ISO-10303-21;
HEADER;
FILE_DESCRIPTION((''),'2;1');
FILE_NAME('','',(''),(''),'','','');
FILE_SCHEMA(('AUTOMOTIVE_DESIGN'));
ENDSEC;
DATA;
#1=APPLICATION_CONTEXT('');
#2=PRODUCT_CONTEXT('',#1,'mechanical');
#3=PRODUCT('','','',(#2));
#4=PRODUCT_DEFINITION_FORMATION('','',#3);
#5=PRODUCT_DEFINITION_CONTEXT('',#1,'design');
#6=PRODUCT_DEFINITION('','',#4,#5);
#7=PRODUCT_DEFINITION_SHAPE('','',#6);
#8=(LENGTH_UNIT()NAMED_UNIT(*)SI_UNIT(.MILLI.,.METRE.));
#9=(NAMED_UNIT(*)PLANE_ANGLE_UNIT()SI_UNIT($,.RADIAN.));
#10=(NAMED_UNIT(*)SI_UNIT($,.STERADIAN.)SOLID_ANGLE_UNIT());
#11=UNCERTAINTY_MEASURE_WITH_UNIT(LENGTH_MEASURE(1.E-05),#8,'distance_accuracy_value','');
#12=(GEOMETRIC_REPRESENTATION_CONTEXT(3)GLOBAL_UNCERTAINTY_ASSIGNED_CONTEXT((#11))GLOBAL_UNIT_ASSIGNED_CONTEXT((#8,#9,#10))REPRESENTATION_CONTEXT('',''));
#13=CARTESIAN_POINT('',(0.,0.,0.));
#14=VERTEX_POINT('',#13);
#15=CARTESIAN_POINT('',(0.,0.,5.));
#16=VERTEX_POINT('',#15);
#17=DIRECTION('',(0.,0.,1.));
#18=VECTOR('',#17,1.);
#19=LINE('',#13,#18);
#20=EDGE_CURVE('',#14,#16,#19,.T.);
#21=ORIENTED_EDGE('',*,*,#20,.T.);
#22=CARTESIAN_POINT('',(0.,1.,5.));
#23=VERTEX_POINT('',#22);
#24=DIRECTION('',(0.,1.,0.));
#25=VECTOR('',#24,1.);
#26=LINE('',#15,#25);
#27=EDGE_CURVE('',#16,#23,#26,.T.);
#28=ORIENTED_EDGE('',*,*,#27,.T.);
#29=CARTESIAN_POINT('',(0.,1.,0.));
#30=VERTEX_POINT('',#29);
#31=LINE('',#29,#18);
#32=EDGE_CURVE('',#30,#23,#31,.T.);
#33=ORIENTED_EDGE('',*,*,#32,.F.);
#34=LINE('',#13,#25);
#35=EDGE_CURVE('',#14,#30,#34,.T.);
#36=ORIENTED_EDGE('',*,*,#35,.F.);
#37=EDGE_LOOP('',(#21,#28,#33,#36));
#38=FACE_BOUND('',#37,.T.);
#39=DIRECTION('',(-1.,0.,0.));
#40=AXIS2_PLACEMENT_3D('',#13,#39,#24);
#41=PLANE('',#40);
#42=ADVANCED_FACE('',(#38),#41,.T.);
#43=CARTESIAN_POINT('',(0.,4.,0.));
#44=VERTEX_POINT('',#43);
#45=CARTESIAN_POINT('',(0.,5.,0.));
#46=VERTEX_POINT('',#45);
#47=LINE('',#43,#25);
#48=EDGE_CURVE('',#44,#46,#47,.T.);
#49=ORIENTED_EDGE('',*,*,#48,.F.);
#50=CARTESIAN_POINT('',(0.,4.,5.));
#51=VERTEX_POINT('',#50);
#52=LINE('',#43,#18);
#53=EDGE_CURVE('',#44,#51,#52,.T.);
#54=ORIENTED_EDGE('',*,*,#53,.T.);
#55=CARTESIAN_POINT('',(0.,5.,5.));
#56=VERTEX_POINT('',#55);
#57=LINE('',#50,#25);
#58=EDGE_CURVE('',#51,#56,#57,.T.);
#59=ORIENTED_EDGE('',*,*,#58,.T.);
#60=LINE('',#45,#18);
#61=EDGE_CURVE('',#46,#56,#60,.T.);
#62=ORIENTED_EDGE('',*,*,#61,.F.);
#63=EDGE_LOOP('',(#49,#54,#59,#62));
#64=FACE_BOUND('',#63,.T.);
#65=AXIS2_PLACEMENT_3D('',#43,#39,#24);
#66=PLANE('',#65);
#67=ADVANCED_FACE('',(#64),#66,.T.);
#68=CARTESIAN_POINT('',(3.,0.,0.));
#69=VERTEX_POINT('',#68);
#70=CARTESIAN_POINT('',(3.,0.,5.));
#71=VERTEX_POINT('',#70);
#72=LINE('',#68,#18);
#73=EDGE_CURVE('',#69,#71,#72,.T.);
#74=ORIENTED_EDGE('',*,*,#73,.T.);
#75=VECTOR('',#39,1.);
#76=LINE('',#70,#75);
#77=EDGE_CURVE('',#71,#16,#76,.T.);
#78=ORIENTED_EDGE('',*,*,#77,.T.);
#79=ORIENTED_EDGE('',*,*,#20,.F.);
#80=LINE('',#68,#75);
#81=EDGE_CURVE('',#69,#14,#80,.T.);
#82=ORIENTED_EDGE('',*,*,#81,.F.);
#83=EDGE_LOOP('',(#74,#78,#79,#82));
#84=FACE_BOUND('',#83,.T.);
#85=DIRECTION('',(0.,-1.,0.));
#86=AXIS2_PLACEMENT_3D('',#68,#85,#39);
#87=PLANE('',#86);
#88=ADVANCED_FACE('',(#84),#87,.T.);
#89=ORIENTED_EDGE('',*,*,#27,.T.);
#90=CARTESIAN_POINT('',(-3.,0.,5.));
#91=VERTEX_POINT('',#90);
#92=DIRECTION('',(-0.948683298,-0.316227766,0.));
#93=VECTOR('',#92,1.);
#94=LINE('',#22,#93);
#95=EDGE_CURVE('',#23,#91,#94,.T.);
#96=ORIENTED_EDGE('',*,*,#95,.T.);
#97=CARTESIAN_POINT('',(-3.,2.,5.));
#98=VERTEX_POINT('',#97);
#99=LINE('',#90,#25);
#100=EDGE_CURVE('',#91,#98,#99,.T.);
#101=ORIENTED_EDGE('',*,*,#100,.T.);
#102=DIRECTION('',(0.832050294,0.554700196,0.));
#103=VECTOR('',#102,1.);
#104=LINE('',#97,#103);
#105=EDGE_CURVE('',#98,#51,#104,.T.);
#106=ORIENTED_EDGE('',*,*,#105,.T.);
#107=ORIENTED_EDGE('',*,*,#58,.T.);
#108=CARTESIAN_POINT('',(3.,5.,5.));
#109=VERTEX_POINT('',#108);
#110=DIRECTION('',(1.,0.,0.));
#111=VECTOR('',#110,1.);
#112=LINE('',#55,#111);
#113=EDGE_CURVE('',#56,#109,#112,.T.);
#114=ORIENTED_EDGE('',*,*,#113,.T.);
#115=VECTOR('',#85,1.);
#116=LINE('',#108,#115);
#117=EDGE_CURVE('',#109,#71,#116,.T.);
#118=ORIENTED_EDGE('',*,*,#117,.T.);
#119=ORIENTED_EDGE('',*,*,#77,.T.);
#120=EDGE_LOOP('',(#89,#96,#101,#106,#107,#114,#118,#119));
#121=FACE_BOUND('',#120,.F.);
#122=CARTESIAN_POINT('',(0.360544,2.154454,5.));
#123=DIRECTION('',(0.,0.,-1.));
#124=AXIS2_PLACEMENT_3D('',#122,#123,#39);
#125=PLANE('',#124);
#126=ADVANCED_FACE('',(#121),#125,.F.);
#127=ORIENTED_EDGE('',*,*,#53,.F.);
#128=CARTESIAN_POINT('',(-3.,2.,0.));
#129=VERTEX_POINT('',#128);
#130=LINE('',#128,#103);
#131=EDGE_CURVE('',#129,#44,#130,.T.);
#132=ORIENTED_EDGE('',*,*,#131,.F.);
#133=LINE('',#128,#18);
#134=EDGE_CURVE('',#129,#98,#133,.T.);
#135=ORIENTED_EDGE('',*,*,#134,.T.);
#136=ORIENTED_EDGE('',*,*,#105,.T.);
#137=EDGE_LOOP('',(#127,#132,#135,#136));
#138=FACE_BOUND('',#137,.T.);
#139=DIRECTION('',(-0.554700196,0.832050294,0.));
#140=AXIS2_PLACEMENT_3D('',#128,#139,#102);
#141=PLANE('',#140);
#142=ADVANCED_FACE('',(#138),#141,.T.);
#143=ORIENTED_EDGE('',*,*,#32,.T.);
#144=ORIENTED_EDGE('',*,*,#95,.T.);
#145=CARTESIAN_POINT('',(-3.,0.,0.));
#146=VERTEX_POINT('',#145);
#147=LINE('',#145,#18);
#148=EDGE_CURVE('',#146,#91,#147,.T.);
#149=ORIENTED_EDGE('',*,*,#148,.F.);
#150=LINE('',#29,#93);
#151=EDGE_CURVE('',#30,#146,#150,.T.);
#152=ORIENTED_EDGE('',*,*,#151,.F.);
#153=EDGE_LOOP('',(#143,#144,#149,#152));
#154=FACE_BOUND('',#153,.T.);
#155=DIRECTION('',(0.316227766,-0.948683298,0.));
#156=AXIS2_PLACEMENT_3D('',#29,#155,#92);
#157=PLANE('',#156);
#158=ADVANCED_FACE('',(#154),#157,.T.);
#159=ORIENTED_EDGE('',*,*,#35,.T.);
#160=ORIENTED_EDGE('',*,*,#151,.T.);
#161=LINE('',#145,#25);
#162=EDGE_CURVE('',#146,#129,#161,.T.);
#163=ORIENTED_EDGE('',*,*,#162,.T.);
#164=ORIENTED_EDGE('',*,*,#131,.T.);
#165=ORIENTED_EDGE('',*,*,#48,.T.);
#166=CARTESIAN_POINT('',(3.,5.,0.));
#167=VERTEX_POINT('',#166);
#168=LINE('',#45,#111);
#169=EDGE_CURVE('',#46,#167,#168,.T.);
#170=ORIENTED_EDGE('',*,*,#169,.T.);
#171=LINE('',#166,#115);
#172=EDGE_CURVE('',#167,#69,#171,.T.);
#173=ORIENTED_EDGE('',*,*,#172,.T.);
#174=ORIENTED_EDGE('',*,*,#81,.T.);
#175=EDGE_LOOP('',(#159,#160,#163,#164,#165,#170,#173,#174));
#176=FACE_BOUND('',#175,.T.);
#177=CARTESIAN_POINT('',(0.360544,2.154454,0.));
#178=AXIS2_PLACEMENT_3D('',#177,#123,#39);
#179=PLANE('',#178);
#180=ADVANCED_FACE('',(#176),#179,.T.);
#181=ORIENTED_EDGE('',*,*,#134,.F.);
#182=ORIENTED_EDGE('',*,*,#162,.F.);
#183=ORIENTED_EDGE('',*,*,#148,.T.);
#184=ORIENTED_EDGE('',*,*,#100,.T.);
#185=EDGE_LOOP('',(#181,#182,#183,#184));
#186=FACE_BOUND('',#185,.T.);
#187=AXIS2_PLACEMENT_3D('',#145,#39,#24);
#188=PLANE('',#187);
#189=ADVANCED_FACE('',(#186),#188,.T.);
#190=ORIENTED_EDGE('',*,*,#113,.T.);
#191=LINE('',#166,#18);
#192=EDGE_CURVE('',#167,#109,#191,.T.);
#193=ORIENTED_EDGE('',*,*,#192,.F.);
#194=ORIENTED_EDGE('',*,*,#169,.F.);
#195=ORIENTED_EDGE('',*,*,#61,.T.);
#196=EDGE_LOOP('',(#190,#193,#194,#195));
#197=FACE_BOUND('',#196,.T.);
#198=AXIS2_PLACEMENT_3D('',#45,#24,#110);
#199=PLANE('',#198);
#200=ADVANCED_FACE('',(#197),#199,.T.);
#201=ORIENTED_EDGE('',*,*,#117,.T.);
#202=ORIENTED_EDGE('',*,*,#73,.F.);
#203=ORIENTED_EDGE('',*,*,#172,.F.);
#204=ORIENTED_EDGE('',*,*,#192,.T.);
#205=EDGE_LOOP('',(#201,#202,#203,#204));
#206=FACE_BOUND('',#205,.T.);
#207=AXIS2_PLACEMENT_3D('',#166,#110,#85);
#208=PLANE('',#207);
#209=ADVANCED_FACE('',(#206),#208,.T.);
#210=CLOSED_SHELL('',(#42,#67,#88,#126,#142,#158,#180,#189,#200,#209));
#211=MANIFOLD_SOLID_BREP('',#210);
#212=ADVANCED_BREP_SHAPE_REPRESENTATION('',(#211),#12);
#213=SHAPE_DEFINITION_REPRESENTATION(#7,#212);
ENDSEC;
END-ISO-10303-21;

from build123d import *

# Parameters (mm, degrees)
BOSS_EXTRUDE1_DEPTH = 5


with BuildPart() as part:
    # Sketch1 → Boss-Extrude1 (new body)
    with BuildSketch(Plane.XY):
        Polygon((0, 0), (0, 1), (-3, 0), (-3, 2), (0, 4), (0, 5), (3, 5), (3, 0), align=None)
    extrude(amount=BOSS_EXTRUDE1_DEPTH)


solid = part.part
